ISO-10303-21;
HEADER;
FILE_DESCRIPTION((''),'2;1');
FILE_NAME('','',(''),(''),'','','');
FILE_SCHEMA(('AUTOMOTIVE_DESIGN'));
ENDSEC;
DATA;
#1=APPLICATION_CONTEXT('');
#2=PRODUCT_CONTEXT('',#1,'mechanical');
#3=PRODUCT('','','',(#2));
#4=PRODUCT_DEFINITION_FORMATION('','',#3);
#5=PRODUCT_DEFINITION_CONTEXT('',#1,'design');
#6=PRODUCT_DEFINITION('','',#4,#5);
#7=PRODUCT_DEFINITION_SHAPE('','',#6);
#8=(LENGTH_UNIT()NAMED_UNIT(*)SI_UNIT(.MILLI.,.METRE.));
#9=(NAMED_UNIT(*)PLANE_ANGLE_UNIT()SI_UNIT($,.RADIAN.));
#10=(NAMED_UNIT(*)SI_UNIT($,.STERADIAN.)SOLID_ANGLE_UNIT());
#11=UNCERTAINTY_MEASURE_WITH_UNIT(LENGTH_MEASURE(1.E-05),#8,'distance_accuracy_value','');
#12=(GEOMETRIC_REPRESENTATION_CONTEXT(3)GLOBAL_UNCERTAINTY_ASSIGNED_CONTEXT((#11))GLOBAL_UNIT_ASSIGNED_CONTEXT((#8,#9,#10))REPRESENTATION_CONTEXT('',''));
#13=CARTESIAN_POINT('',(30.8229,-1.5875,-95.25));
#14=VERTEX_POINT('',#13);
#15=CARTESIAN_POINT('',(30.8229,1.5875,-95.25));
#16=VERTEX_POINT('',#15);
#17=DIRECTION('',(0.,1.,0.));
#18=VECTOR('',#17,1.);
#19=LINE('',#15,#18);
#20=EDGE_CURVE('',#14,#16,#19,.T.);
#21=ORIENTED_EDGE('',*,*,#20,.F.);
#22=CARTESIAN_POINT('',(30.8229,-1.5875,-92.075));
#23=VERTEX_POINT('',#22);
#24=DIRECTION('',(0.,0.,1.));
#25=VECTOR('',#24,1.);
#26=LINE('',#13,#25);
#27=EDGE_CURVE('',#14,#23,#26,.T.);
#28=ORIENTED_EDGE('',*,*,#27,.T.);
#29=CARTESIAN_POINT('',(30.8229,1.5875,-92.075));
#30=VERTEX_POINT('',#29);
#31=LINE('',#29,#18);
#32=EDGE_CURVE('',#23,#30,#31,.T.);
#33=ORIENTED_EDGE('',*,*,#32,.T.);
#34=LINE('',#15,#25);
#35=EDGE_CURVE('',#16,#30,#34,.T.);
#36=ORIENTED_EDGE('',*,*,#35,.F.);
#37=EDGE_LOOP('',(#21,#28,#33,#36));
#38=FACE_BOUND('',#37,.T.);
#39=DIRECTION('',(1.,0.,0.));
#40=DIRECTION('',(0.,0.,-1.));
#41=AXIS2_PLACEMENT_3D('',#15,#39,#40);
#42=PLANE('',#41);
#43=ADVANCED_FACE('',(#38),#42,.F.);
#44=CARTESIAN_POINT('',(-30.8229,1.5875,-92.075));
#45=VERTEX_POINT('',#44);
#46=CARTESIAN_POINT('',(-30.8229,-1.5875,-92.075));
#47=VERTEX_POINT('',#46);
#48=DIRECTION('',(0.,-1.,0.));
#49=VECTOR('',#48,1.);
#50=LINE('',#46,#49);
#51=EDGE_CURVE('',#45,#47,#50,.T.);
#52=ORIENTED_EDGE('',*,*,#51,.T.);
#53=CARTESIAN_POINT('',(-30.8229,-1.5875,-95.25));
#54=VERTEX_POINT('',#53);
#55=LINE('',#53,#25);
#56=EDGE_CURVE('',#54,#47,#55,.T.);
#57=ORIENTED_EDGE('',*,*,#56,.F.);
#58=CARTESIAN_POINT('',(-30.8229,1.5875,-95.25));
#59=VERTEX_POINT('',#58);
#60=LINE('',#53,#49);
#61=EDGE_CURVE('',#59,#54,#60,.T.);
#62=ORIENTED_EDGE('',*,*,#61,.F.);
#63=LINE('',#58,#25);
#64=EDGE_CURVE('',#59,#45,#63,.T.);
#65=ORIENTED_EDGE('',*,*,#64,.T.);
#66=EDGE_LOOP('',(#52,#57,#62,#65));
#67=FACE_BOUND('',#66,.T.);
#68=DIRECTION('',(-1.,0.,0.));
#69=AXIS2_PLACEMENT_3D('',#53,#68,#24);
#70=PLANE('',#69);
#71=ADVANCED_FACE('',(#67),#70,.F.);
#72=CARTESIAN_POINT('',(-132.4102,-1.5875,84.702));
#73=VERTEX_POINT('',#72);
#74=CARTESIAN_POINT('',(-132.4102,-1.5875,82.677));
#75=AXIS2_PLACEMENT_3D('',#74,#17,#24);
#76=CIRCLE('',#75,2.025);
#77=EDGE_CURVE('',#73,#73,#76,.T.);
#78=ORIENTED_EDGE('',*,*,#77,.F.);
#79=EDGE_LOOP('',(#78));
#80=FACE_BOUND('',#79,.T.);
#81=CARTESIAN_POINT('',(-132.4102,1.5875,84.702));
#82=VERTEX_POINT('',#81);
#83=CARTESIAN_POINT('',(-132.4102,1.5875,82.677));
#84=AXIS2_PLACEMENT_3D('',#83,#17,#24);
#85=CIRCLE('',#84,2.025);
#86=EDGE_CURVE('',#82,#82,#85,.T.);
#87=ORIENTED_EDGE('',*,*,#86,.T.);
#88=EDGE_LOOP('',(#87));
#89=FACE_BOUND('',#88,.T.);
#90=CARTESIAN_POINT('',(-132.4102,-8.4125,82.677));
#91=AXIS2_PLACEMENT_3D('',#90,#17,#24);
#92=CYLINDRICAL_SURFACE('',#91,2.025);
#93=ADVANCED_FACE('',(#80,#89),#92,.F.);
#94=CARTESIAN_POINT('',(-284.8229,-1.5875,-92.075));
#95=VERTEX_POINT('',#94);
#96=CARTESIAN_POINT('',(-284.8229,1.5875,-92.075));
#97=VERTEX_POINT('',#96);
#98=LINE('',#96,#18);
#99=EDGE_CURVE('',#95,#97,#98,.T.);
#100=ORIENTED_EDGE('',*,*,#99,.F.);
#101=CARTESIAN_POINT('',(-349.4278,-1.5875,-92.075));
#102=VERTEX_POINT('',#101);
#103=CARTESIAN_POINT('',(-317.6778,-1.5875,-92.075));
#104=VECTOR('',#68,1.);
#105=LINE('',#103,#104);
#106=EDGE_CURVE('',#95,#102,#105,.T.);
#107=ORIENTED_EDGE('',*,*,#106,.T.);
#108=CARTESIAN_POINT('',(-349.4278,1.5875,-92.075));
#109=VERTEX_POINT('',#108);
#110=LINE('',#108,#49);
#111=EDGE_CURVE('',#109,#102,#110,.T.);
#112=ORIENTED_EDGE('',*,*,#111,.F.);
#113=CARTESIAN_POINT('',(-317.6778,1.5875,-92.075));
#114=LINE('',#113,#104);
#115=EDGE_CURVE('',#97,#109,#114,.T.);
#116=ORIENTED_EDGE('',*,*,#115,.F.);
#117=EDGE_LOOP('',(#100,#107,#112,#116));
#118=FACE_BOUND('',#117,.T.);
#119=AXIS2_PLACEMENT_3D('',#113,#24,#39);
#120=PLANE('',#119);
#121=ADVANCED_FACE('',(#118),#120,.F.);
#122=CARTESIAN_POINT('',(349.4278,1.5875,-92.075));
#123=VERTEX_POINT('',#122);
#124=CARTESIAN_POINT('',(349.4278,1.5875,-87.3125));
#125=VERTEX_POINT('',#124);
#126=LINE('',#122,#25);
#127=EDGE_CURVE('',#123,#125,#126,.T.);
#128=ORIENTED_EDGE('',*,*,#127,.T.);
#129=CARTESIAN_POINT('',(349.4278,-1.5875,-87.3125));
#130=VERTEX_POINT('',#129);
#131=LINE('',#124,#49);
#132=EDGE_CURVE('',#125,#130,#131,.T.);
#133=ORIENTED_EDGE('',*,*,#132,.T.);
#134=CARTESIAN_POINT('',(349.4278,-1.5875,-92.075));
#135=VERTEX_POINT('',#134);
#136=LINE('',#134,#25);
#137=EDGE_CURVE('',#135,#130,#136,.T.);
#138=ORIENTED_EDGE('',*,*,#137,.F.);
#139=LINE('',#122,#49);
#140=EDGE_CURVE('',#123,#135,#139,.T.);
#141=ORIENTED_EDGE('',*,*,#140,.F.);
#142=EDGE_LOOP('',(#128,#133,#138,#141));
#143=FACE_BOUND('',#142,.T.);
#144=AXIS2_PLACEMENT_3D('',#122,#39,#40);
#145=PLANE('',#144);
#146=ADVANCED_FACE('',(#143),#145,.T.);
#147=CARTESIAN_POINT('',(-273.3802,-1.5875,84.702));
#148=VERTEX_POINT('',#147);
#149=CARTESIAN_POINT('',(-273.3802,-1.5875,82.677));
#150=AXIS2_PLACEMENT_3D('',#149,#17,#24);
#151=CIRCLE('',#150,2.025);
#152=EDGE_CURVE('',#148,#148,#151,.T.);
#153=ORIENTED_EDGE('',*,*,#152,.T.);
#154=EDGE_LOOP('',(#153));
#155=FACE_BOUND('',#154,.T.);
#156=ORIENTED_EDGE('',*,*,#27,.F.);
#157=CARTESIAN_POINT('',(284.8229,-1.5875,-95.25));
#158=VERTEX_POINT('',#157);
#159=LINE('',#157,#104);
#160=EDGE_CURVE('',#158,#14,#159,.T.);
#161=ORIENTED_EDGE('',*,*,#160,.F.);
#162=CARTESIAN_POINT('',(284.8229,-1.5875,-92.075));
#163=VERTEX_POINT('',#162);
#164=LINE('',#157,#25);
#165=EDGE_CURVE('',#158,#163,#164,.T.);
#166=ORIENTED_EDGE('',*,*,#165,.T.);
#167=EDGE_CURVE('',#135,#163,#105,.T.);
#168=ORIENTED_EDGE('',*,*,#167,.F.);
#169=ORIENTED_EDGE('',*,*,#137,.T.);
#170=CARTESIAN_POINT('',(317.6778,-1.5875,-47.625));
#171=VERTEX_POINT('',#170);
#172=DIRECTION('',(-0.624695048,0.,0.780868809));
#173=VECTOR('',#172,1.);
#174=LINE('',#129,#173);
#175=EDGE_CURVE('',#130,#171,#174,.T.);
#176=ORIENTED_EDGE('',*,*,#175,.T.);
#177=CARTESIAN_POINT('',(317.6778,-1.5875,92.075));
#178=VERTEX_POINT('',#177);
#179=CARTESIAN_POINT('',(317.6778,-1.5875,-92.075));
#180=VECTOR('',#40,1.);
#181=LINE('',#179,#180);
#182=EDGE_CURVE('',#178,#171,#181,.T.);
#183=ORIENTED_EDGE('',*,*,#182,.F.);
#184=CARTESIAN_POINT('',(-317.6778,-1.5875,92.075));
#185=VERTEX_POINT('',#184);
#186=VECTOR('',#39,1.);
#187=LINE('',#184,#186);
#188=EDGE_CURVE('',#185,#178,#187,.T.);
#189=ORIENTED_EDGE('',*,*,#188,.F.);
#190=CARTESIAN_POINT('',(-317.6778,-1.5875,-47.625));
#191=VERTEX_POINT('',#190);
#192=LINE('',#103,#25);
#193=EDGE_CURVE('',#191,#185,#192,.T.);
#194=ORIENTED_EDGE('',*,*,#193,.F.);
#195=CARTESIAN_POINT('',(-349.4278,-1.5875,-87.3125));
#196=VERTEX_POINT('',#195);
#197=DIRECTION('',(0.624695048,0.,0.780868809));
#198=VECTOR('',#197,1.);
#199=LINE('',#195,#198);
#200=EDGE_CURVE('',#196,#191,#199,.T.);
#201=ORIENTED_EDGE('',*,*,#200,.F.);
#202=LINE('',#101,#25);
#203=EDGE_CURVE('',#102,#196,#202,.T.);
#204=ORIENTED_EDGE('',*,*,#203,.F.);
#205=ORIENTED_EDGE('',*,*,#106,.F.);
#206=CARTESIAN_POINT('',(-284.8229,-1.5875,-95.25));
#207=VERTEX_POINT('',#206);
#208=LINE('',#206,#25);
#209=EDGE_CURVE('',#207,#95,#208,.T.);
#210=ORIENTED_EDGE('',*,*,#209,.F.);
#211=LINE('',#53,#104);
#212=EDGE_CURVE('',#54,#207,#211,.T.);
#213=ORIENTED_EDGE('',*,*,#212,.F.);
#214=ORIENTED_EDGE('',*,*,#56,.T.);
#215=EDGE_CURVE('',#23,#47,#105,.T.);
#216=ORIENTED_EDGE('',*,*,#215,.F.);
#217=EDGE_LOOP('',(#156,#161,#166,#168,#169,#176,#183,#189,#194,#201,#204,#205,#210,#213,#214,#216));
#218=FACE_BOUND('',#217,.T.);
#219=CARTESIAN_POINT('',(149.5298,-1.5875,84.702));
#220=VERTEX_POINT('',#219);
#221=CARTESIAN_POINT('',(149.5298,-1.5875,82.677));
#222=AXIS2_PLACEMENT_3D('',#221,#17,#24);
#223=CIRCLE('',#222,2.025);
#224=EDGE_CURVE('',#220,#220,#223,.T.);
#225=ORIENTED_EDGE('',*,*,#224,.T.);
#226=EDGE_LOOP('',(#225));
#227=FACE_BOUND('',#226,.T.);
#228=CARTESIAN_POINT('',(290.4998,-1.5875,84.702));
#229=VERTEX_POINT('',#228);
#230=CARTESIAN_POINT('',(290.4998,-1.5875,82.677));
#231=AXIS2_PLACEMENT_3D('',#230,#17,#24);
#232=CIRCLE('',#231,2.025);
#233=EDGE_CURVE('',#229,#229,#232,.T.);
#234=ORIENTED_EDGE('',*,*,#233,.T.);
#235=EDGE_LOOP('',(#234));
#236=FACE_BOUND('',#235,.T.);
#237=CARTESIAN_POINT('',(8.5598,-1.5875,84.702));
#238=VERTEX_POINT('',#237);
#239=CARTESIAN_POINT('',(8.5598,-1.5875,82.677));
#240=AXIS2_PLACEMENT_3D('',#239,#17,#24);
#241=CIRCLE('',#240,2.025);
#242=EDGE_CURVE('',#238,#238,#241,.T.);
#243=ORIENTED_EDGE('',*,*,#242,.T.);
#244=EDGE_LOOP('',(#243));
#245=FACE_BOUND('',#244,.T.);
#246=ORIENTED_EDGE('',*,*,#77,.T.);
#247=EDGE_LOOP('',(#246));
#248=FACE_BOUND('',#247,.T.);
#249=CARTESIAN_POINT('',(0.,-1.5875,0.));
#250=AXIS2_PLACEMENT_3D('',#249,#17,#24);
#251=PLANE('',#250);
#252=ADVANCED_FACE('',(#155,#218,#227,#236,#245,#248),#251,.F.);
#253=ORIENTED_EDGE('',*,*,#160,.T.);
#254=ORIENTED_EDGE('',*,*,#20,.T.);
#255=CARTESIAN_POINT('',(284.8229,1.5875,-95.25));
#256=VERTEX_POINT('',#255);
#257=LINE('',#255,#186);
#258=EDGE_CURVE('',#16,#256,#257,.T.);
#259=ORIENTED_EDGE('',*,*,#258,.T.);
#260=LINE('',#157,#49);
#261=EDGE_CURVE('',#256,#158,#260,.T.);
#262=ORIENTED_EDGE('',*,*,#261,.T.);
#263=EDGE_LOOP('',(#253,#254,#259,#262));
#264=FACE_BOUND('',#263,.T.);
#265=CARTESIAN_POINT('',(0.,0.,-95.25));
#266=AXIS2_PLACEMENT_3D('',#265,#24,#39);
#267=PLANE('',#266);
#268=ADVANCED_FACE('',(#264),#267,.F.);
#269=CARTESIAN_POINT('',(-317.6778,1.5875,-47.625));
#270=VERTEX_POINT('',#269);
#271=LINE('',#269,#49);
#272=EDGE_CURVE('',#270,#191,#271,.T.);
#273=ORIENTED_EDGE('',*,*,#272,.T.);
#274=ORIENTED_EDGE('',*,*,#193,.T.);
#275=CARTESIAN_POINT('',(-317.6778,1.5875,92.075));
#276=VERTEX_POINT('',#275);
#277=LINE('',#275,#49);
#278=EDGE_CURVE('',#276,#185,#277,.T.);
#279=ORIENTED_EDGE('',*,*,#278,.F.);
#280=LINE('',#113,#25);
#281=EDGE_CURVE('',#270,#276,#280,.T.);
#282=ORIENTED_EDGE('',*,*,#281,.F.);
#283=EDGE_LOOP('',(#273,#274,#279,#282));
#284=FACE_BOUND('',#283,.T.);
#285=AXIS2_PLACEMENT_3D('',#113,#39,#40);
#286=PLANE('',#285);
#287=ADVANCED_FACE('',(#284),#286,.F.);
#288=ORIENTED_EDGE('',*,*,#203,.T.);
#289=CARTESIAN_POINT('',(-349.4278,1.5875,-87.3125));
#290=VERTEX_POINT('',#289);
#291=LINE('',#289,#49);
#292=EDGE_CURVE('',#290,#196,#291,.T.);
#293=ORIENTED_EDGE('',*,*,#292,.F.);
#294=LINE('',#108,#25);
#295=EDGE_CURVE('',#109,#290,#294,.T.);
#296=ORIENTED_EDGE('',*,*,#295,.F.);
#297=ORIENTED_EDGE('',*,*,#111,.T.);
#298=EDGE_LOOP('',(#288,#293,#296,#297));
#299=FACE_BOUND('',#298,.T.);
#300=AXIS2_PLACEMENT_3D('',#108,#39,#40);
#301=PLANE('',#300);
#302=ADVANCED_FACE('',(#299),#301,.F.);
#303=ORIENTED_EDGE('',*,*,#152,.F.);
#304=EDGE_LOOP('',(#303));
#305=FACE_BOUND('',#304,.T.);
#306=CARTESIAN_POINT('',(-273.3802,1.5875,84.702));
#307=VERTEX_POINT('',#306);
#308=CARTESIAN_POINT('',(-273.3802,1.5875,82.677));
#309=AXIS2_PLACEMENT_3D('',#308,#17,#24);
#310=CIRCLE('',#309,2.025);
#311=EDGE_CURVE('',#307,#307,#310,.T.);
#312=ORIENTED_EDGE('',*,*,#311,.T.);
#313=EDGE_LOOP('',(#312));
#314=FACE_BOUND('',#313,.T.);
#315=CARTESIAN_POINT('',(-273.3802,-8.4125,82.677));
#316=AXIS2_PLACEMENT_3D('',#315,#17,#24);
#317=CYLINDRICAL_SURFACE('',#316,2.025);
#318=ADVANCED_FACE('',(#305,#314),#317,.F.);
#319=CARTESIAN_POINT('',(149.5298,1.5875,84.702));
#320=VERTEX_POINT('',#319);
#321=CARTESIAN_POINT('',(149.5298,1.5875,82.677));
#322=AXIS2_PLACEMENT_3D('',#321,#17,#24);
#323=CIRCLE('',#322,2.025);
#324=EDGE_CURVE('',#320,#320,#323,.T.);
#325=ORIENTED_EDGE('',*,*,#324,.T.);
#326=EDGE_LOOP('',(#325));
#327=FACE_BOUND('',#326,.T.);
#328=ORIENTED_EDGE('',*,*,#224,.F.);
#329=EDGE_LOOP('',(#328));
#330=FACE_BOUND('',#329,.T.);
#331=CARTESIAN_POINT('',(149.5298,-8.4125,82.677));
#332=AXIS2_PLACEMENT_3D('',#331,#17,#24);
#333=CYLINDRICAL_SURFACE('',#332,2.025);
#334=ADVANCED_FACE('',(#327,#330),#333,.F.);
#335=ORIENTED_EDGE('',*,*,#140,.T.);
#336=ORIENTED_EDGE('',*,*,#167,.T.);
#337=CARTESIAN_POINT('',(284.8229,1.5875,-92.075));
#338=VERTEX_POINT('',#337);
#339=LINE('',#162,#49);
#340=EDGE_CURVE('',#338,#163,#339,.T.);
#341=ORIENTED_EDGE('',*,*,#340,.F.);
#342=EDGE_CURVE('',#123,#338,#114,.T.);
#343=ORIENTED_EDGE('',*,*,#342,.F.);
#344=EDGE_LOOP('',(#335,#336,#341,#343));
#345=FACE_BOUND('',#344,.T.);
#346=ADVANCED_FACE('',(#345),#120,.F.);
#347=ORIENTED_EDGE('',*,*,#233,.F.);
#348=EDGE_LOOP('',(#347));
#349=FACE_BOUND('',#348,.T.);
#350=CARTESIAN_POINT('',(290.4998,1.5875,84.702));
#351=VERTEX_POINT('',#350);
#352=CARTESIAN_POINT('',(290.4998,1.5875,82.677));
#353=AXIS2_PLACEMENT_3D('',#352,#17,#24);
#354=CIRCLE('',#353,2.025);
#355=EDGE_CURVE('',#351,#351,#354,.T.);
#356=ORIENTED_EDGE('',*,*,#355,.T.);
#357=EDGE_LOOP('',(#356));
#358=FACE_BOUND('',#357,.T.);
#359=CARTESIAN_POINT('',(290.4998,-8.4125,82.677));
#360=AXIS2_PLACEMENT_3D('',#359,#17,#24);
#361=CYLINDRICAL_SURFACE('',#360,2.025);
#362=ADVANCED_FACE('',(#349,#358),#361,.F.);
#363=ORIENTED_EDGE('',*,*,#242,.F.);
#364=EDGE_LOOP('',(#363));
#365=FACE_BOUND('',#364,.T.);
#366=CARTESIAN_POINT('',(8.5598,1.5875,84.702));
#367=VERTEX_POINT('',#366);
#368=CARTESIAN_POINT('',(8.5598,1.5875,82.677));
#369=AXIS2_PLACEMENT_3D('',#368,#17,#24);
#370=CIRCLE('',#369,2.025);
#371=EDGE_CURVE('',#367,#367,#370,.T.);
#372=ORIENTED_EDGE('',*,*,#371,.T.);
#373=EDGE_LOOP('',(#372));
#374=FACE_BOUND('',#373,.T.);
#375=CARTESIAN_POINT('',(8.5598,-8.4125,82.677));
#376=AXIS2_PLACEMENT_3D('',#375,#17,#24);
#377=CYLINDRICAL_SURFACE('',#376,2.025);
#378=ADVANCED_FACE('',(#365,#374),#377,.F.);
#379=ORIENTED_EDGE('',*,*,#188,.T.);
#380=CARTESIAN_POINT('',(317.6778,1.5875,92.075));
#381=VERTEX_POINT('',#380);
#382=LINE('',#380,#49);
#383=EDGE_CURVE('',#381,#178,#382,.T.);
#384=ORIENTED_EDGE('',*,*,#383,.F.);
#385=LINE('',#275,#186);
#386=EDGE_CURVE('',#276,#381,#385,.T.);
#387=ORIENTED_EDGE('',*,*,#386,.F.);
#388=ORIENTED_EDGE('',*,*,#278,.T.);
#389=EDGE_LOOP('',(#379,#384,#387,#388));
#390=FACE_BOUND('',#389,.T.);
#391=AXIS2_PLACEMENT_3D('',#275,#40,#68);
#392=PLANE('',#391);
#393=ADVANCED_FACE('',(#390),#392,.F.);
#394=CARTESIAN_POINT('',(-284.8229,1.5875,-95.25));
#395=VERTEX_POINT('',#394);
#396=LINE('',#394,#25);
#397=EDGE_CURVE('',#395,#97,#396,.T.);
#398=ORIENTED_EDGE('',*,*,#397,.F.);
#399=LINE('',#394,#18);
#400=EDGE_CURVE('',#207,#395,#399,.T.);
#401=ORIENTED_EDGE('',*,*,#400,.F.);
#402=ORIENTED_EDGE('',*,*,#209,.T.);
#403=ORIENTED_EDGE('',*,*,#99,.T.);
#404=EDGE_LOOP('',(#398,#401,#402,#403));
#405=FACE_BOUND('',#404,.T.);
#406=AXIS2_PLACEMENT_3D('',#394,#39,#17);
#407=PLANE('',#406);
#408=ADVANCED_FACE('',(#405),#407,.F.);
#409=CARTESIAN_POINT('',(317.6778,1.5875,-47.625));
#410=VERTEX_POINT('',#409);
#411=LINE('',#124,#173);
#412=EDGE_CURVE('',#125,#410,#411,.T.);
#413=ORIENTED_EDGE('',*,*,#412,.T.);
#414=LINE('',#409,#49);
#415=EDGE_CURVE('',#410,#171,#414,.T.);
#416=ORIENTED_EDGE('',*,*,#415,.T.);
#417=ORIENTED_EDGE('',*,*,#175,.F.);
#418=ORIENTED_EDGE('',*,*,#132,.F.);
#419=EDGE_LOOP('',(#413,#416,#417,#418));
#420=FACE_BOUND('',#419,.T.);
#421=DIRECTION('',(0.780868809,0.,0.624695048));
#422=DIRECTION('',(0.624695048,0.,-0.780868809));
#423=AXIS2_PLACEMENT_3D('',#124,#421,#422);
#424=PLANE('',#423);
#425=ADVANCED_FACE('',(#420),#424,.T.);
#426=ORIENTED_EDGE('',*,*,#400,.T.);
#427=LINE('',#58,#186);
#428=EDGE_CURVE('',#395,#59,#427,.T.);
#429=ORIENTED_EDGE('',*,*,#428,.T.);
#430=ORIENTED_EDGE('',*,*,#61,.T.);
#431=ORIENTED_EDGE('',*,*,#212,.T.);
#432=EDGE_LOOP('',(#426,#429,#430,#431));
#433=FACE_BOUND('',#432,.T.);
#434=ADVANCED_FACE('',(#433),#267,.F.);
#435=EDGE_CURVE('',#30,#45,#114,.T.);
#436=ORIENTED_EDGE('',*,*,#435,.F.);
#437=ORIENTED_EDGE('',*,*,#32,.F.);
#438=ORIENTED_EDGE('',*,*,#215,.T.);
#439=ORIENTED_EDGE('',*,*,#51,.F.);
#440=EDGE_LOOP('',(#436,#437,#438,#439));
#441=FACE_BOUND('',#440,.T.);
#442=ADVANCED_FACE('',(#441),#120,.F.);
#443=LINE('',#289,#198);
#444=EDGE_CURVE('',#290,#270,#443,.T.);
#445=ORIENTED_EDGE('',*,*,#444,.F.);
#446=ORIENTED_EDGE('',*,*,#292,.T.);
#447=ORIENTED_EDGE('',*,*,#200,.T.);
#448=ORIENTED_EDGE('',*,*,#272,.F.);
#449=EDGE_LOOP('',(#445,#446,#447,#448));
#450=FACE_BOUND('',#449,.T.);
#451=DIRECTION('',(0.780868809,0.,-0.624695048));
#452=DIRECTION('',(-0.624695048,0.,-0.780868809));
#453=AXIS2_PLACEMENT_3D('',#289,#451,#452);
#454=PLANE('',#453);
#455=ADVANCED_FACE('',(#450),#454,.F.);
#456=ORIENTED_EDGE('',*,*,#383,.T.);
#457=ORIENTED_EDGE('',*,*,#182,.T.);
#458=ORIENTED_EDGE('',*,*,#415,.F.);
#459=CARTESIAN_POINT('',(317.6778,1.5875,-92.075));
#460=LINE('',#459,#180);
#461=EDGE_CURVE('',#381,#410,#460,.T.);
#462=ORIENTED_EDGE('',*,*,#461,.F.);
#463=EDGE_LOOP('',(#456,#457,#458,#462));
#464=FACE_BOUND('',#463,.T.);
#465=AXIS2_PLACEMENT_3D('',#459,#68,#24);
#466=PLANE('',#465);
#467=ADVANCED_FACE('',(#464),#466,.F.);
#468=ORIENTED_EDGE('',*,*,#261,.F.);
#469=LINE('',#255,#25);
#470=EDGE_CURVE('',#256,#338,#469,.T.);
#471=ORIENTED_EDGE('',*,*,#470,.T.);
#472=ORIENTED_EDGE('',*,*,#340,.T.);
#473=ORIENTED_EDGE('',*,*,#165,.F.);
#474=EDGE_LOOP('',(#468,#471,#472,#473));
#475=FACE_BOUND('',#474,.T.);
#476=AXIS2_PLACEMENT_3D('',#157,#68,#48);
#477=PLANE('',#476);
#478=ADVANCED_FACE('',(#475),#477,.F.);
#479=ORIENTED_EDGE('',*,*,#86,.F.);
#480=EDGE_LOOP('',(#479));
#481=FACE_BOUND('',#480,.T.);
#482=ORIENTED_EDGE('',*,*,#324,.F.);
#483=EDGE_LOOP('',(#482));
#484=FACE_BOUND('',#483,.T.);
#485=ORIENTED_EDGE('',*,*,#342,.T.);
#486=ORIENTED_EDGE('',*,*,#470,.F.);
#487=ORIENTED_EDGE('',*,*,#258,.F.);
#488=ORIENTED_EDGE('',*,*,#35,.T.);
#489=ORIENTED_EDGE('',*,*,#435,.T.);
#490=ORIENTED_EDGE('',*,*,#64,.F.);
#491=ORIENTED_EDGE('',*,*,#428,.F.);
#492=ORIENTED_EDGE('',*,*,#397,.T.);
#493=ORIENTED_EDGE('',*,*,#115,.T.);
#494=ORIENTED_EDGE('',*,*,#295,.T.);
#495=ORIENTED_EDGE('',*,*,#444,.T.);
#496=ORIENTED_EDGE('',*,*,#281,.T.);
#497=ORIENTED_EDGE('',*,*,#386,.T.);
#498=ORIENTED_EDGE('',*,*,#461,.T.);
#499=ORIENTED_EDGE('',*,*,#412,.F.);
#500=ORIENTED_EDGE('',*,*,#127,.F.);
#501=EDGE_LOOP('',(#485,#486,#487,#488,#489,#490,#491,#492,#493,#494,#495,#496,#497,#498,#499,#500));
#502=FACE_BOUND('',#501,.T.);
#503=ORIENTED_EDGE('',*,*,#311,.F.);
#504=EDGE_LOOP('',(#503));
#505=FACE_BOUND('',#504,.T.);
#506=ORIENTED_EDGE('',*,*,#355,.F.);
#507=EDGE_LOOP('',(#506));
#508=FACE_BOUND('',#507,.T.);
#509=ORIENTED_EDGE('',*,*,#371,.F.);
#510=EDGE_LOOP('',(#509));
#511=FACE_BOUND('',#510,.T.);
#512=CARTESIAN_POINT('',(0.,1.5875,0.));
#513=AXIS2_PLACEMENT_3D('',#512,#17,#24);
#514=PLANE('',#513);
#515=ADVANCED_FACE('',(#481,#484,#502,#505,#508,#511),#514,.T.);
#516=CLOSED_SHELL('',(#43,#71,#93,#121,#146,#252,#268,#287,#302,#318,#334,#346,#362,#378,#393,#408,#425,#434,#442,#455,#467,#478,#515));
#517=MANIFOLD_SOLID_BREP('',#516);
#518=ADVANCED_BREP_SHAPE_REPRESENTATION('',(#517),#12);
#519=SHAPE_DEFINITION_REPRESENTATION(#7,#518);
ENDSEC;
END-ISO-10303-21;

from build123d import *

# Parameters (mm, degrees)
SKETCH1_W           = 635.3556
SKETCH1_H           = 184.15
BOSS_EXTRUDE1_DEPTH = 1.5875
SKETCH2_W           = 254
SKETCH2_H           = 3.175
BOSS_EXTRUDE2_DEPTH = 3.175
BOSS_EXTRUDE3_DEPTH = 3.175
CUT_EXTRUDE1_DEPTH  = 10
LPATTERN1_COUNT     = 5
LPATTERN1_PITCH     = 140.97


with BuildPart() as part:
    # Sketch1 → Boss-Extrude1 (new, symmetric)
    with BuildSketch(Plane(origin=(0, 0, 0), x_dir=(1, 0, 0), z_dir=(0, 1, 0))):
        Rectangle(SKETCH1_W, SKETCH1_H)
    extrude(amount=BOSS_EXTRUDE1_DEPTH, both=True)

    # Sketch2 → Boss-Extrude2 (add)
    with BuildSketch(Plane(origin=(0, 0, -92.075), x_dir=(-1, 0, 0), z_dir=(0, 0, -1))):
        with Locations((-157.8229, 0)):
            Rectangle(SKETCH2_W, SKETCH2_H)
        with Locations((157.8229, 0)):
            Rectangle(SKETCH2_W, SKETCH2_H)
    extrude(amount=BOSS_EXTRUDE2_DEPTH)

    # Sketch3 → Boss-Extrude3 (add)
    with BuildSketch(Plane.XZ.offset(1.5875)):
        Polygon((317.6778, -92.075), (349.4278, -92.075), (349.4278, -87.3125), (317.6778, -47.625), align=None)
    boss_extrude3 = extrude(amount=-BOSS_EXTRUDE3_DEPTH)

    # Mirror1: Boss-Extrude3 across plane
    add(boss_extrude3.mirror(Plane(origin=(0, 0, 0), x_dir=(0, 0, 1), z_dir=(1, 0, 0))))

    # Sketch4 → Cut-Extrude1 (cut)
    with BuildSketch(Plane(origin=(0, 1.5875, 0), x_dir=(1, 0, 0), z_dir=(0, 1, 0))):
        with BuildLine():
            ThreePointArc((292.5248, -82.677), (289.067908768, -81.245108768), (290.4998, -84.702))
            Line((290.4998, -84.702), (290.4998, -82.677))
            Line((290.4998, -82.677), (292.5248, -82.677))
        make_face()
        with BuildLine():
            Line((290.4998, -82.677), (290.4998, -84.702))
            ThreePointArc((290.4998, -84.702), (291.931691232, -84.108891232), (292.5248, -82.677))
            Line((292.5248, -82.677), (290.4998, -82.677))
        make_face()
    cut_extrude1 = extrude(amount=-CUT_EXTRUDE1_DEPTH, mode=Mode.SUBTRACT)

    # LPattern1: Cut-Extrude1 ×5
    with Locations(*[(-i * LPATTERN1_PITCH, 0, 0) for i in range(1, LPATTERN1_COUNT)]):
        add(cut_extrude1, mode=Mode.SUBTRACT)


solid = part.part
